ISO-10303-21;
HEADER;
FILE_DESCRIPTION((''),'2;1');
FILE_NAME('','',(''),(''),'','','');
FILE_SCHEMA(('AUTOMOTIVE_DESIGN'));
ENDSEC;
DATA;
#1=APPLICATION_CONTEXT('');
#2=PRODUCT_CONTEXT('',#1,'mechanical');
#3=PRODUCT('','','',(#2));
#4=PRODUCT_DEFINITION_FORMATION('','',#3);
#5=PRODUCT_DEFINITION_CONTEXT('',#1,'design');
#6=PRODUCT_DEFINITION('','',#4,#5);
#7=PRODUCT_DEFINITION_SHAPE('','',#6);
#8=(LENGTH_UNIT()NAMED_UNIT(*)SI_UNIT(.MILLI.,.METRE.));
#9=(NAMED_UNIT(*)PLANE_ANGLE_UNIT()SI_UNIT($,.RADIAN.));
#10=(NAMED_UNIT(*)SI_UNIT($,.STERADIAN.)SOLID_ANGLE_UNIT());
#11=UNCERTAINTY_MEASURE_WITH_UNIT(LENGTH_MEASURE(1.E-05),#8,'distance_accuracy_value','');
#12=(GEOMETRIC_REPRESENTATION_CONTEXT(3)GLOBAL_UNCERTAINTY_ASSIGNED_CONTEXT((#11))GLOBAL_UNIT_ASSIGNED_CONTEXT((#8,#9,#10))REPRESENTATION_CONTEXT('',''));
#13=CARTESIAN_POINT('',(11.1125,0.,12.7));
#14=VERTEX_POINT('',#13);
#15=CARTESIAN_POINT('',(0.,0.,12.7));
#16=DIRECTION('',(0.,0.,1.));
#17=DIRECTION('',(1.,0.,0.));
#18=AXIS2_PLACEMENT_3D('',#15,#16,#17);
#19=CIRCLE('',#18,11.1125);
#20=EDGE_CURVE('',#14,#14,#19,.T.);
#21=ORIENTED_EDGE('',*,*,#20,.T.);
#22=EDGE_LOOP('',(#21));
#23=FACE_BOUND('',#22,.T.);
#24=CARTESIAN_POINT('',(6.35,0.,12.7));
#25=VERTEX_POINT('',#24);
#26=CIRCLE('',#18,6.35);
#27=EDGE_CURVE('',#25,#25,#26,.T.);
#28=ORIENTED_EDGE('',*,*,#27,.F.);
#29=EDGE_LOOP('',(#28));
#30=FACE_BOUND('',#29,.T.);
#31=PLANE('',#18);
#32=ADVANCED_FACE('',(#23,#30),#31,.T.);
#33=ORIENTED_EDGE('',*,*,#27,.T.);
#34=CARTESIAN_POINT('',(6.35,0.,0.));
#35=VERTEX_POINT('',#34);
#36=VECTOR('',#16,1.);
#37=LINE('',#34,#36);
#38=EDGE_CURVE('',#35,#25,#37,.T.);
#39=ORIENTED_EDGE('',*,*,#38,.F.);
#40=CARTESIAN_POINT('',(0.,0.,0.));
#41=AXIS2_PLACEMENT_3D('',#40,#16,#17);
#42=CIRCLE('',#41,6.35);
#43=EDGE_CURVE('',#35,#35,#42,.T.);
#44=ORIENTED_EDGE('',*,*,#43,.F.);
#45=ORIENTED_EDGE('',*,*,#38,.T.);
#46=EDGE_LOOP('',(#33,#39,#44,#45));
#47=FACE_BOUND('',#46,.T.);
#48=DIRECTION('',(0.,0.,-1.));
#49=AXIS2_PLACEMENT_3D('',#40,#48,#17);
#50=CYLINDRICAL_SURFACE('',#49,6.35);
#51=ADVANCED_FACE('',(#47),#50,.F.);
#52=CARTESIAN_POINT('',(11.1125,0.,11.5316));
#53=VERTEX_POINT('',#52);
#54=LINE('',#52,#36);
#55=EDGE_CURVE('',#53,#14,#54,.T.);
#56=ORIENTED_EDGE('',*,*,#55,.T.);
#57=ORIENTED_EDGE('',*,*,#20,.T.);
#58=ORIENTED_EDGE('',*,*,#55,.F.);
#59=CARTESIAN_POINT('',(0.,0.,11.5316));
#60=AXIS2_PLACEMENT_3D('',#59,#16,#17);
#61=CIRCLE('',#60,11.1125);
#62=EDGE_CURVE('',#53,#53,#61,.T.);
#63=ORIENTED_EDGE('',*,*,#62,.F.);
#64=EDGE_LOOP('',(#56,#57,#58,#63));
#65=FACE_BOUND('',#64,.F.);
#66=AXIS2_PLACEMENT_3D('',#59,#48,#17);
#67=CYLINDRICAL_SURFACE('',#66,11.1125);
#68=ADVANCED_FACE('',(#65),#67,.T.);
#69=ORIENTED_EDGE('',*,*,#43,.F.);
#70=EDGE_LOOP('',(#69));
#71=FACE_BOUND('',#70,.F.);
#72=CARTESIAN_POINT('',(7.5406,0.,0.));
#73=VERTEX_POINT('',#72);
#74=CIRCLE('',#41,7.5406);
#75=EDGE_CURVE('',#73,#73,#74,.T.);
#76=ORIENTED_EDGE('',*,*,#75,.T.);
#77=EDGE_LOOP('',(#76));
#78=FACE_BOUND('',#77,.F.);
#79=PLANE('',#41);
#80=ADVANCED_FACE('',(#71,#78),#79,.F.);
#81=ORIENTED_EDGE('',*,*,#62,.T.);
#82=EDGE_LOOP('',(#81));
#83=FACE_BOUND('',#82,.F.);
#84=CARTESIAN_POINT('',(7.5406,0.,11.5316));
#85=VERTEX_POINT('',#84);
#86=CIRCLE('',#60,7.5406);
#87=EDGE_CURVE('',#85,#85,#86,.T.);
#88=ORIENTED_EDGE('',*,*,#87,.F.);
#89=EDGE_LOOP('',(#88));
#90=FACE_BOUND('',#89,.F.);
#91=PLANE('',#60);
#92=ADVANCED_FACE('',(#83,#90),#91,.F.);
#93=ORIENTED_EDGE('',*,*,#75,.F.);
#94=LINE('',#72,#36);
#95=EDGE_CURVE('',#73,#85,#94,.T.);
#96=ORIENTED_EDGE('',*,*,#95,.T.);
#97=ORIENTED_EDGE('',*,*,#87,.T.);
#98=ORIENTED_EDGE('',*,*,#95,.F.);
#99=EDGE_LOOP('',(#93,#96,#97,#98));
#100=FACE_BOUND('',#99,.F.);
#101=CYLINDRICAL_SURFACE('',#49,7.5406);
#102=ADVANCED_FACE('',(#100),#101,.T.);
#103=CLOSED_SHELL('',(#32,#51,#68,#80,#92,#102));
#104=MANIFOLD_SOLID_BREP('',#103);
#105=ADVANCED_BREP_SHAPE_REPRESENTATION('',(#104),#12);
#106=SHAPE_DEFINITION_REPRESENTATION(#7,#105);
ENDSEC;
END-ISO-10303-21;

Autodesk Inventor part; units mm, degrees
ref_plane "YZ Plane" through (0, 0, 0) normal (1, 0, 0) x (0, 1, 0)
ref_plane "XZ Plane" through (0, 0, 0) normal (0, 1, 0) x (-1, 0, 0)
ref_plane "XY Plane" through (0, 0, 0) normal (0, 0, 1) x (1, 0, 0)
sketch "Sketch1" plane through (0, 0, 0) normal (0, 0, 1) x (1, 0, 0)
  circle A0 centre (0, 0) radius 6.35
  circle A1 centre (0, 0) radius 7.5406
  dimension "d0" = 12.7
  dimension "d1" = 15.0813
extrude "Extrusion1" add sketch "Sketch1" along normal blind 11.5316
sketch "Sketch2" plane through (0, 0, 11.5316) normal (0, 0, 1) x (1, 0, 0)
  circle A0 centre (0, 0) radius 6.35 projected
  circle A1 centre (0, 0) radius 7.5406 projected
  circle A2 centre (0, 0) radius 6.35
  circle A3 centre (0, 0) radius 11.1125
  dimension "d4" = 22.225
extrude "Extrusion2" add sketch "Sketch2" along normal blind 1.1684 contours A1 | A3
properties part number "H1FI-0809-16"
